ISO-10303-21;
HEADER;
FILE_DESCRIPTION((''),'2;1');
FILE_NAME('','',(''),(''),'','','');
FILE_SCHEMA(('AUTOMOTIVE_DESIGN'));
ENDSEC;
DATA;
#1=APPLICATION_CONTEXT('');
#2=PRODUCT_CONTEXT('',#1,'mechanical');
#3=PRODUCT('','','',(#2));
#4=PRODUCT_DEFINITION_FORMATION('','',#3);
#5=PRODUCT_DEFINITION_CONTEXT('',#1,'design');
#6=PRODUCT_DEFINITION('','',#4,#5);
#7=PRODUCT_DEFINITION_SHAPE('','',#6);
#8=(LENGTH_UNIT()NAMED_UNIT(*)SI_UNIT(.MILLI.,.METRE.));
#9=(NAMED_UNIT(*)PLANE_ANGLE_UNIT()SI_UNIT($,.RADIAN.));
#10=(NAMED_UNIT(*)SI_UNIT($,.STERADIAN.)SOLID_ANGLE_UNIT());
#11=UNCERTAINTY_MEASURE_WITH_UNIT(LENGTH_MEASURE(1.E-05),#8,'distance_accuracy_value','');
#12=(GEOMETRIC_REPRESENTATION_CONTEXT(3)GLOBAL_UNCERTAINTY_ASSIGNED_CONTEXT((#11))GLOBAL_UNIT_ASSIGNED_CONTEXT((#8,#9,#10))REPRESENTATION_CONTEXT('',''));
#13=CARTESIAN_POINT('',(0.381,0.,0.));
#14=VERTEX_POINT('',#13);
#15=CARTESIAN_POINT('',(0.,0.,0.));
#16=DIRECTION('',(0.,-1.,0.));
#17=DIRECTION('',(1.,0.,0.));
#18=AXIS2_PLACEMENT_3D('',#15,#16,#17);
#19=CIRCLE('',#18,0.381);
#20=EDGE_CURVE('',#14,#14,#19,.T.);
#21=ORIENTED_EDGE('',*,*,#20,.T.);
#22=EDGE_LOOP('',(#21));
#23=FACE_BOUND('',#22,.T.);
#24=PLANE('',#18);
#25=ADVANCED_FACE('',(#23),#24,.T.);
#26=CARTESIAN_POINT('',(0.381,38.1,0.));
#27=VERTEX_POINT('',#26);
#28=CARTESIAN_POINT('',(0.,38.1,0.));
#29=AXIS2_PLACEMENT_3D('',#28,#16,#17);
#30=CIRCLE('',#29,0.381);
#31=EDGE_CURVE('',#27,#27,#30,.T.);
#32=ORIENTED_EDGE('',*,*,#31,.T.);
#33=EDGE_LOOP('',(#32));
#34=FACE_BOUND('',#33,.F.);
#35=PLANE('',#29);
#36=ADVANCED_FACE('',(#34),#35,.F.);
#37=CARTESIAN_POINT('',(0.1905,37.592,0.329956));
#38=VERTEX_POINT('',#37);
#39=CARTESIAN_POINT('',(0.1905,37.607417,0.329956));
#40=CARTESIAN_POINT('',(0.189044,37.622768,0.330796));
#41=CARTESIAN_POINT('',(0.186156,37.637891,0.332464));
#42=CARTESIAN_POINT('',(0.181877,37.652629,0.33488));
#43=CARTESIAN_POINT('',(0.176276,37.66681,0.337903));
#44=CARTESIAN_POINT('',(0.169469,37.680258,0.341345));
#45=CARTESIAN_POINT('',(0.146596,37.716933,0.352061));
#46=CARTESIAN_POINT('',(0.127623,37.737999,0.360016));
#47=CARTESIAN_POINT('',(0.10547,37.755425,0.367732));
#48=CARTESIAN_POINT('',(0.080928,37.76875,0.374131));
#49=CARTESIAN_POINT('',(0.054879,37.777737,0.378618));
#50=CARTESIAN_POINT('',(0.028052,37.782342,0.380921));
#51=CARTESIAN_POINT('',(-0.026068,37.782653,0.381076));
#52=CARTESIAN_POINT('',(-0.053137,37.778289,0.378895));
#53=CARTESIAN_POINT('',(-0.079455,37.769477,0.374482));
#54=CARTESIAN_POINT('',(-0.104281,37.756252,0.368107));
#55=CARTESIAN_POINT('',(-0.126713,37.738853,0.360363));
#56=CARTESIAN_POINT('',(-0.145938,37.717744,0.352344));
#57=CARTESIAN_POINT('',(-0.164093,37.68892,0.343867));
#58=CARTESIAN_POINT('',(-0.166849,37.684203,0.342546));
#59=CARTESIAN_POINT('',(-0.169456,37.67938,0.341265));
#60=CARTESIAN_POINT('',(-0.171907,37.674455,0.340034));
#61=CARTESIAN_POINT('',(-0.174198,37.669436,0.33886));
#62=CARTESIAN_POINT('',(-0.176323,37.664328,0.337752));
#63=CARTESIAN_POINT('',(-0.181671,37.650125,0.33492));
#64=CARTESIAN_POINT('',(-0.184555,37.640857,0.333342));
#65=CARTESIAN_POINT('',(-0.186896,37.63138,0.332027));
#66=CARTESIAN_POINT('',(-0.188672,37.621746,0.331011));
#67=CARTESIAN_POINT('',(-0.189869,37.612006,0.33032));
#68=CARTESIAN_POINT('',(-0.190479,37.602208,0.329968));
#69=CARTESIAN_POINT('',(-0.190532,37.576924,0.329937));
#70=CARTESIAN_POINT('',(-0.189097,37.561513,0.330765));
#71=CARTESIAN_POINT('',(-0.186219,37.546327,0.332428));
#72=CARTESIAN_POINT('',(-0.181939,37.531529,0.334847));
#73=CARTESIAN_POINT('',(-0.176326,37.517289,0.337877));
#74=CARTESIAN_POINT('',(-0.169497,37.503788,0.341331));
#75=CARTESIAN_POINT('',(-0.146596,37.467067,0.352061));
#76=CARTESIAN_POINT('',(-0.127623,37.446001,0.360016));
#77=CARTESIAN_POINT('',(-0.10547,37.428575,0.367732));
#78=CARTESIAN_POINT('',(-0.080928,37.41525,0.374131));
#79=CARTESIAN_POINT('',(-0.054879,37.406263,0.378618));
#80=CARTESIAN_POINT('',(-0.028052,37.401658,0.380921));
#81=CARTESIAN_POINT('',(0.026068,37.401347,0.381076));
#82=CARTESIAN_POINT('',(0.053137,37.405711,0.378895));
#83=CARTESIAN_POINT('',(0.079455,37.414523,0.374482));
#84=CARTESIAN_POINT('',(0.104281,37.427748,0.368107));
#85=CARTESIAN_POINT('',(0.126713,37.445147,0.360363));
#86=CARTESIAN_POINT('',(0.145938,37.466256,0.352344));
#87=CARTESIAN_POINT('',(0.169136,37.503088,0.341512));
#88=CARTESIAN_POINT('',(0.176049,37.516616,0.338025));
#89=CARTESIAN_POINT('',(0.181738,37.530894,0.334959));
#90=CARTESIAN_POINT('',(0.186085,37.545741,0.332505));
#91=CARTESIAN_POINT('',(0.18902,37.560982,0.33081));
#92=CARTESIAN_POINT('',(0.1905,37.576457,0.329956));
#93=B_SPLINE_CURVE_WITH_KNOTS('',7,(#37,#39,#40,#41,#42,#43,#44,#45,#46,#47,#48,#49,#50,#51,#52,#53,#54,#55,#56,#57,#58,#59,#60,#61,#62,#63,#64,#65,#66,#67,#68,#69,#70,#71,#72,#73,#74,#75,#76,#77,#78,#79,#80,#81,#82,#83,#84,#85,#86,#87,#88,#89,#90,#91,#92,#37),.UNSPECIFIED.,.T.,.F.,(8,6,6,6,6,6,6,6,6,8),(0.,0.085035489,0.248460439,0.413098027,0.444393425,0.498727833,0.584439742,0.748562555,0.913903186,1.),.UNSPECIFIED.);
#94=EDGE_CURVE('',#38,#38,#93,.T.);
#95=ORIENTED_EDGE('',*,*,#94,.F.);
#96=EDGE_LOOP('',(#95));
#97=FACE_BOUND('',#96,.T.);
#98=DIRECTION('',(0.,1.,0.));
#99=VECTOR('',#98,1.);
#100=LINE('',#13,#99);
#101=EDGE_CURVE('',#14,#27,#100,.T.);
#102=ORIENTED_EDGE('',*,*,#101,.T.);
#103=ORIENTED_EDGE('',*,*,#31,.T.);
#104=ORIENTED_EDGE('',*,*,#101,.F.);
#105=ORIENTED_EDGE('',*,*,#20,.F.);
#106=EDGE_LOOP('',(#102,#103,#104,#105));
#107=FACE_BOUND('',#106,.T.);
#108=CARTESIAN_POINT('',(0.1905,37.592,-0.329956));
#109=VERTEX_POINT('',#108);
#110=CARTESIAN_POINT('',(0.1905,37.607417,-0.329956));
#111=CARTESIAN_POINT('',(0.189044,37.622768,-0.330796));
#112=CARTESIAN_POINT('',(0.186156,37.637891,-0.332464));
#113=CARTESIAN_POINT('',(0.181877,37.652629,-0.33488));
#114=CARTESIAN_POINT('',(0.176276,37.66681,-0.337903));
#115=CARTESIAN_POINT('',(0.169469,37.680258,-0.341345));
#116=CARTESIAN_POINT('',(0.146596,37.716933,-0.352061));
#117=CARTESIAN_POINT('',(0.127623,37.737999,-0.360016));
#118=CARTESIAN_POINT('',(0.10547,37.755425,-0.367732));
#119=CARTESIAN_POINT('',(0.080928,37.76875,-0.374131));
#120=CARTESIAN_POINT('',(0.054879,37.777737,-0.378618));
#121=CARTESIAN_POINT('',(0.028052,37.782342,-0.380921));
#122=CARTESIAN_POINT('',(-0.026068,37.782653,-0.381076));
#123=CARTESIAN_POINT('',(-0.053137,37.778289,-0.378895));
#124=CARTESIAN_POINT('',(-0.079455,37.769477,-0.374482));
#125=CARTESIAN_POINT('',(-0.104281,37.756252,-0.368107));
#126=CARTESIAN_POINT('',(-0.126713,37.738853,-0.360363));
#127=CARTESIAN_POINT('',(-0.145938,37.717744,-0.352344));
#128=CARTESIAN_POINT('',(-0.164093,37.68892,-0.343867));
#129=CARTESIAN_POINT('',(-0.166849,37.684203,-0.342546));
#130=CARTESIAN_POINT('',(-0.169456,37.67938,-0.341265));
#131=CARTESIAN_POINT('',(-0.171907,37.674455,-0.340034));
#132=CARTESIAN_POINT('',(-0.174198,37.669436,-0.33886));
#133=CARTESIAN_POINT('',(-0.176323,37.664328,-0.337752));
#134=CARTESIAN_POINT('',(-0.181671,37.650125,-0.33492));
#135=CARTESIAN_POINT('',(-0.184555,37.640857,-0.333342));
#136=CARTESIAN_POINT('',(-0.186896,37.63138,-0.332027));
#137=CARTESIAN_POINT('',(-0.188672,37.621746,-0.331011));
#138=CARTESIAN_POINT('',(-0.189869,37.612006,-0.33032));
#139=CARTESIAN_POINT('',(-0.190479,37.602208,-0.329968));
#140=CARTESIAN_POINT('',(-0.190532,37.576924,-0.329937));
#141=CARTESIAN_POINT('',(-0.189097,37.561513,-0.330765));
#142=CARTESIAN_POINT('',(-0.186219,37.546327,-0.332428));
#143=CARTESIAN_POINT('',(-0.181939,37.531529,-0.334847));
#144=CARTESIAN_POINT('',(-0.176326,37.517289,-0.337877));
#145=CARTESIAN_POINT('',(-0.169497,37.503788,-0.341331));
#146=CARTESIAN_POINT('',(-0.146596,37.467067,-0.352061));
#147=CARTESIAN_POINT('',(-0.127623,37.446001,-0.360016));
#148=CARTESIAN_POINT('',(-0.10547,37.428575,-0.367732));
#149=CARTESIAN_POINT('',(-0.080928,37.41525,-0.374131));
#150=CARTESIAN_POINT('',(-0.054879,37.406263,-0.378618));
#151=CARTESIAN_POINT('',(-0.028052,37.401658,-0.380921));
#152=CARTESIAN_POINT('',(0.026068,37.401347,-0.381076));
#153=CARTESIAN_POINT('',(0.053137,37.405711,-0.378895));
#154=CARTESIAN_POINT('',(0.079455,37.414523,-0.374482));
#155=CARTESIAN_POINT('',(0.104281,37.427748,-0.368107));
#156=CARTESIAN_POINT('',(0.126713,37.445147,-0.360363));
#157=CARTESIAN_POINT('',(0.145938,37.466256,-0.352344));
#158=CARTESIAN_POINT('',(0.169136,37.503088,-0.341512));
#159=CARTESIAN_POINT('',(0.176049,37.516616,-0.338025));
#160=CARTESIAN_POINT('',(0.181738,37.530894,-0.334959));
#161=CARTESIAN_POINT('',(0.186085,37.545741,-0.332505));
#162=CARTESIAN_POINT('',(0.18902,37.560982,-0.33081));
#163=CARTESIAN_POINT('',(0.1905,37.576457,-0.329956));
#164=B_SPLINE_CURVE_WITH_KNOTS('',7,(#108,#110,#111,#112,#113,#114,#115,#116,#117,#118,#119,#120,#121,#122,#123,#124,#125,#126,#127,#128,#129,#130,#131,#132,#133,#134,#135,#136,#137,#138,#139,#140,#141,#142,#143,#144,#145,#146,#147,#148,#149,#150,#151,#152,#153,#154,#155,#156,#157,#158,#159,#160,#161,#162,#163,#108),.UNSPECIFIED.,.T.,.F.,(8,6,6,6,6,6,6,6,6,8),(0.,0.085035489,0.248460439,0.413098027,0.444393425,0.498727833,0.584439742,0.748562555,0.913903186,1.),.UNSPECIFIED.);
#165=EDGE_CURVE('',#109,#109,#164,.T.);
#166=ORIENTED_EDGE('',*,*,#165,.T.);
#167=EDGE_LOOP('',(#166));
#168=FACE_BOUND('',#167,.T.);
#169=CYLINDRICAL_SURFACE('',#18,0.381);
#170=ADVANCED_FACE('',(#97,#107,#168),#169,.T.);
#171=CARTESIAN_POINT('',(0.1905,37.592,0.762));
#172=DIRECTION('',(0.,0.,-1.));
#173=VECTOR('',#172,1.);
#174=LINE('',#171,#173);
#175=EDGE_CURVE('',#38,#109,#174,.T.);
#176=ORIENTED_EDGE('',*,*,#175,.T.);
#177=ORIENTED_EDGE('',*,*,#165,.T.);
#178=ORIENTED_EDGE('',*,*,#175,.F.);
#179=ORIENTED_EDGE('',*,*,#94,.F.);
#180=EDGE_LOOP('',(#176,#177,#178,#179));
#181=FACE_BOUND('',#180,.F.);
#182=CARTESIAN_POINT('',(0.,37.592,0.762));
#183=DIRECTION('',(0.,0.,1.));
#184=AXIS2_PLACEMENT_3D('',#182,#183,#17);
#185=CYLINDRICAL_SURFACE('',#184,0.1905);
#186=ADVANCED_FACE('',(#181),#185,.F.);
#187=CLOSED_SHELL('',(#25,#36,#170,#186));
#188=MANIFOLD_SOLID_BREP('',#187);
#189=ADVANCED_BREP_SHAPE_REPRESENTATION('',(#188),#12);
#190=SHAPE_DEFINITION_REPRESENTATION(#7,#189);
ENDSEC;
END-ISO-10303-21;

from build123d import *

# Parameters (mm, degrees)
F0_R     = 0.381
F1_DEPTH = 38.1
F3_R     = 0.1905
F4_DEPTH = 25.4


with BuildPart() as f1:
    # F0 (on Front) → F1 (new body)
    with BuildSketch(Plane.XZ):
        Circle(F0_R)
    extrude(amount=-F1_DEPTH)

    # F3 (on offset) → F4 (cut)
    with BuildSketch(Plane.XY.offset(0.762)):
        with Locations((0, 37.592)):
            Circle(F3_R)
    extrude(amount=-F4_DEPTH, mode=Mode.SUBTRACT)


solid = f1.part
